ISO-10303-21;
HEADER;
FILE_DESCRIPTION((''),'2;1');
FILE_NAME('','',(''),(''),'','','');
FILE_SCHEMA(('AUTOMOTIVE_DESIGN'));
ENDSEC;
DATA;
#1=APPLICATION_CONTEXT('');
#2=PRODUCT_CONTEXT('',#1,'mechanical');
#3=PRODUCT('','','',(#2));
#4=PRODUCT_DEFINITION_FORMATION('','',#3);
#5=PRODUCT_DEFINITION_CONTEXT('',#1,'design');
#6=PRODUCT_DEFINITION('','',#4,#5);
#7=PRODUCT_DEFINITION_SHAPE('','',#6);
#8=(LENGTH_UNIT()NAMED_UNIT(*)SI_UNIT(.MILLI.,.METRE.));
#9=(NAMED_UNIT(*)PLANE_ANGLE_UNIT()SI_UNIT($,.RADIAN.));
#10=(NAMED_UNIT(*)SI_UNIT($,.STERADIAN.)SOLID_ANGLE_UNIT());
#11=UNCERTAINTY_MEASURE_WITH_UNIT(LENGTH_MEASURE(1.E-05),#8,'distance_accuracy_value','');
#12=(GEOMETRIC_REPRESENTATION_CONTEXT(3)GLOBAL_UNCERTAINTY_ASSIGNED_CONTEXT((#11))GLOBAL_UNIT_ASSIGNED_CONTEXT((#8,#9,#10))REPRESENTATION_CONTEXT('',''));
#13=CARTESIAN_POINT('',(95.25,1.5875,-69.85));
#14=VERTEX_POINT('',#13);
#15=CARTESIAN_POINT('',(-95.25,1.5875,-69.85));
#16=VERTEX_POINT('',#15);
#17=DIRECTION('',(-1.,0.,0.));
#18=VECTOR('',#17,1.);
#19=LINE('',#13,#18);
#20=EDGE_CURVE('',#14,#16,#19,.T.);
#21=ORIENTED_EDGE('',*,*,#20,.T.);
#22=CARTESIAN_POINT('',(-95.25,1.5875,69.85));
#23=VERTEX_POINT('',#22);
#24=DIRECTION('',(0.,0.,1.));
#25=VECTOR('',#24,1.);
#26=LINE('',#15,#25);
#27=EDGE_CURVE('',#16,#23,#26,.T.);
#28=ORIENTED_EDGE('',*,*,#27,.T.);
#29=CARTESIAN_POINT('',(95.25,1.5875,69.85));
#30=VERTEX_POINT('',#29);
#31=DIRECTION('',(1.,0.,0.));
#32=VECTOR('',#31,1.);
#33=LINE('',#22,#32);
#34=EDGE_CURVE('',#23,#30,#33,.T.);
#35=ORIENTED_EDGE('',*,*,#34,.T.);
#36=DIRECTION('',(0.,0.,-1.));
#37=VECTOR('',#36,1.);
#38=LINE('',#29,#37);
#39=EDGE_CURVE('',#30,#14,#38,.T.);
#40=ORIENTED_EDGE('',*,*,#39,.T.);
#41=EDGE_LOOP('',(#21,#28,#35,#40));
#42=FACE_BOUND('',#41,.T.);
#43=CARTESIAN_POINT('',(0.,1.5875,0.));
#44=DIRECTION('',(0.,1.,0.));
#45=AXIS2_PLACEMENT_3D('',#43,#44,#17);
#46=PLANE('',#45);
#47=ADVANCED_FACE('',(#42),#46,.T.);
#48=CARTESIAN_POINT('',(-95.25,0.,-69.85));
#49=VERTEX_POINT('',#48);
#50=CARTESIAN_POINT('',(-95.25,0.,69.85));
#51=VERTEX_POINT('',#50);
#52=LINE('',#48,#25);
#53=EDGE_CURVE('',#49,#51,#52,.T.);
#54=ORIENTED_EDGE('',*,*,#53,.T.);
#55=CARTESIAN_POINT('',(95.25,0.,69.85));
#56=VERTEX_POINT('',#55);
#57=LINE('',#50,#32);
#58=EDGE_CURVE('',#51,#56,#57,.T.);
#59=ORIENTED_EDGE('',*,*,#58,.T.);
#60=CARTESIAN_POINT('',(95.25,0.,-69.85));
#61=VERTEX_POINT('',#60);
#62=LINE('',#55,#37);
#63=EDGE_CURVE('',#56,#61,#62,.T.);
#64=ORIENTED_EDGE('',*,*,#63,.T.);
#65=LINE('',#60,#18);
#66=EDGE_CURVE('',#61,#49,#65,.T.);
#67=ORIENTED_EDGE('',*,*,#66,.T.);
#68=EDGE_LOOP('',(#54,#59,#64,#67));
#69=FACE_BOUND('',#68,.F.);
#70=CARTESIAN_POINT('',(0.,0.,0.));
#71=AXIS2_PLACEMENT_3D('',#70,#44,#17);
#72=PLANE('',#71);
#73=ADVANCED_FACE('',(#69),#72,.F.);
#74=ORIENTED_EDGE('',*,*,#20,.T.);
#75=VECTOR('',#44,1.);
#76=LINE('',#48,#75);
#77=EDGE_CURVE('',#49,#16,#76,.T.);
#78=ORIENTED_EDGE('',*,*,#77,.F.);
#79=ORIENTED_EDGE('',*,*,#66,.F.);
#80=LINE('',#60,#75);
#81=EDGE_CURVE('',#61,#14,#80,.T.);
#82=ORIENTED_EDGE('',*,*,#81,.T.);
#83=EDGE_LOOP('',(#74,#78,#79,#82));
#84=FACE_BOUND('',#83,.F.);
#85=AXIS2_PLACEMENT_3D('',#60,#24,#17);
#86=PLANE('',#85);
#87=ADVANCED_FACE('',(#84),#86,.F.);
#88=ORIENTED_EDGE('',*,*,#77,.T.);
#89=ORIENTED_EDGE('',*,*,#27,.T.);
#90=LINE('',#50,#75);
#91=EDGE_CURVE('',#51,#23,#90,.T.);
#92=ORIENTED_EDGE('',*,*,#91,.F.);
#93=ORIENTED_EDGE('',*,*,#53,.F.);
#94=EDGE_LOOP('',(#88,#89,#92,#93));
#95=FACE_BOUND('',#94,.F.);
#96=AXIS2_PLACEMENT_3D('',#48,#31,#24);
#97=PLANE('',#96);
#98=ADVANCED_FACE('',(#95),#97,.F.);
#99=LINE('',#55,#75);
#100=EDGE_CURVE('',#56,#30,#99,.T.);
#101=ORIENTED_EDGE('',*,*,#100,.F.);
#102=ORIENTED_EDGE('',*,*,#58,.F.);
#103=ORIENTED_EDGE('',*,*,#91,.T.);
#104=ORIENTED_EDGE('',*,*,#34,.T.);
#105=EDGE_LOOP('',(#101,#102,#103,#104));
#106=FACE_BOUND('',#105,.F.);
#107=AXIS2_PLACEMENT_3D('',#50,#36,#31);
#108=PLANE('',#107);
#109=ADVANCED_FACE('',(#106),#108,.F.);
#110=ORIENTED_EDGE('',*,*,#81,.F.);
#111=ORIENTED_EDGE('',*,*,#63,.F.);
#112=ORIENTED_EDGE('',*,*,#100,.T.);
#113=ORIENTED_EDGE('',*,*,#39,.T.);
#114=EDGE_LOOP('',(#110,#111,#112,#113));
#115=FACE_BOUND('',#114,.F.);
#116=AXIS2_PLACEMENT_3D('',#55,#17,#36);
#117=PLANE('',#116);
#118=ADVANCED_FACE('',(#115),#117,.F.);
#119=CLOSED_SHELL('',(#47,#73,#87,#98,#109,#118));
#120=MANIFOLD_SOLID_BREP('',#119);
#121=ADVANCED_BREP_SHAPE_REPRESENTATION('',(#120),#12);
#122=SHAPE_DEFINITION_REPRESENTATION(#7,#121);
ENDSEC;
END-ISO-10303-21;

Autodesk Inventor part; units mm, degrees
ref_plane "YZ Plane" through (0, 0, 0) normal (1, 0, 0) x (0, 1, 0)
ref_plane "XZ Plane" through (0, 0, 0) normal (0, 1, 0) x (-1, 0, 0)
ref_plane "XY Plane" through (0, 0, 0) normal (0, 0, 1) x (1, 0, 0)
sketch "Sketch1" plane through (0, 0, 0) normal (0, 1, 0) x (-1, 0, 0)
  line L0 (-95.25, -69.85) -> (95.25, -69.85)
  line L1 (95.25, -69.85) -> (95.25, 69.85)
  line L2 (95.25, 69.85) -> (-95.25, 69.85)
  line L3 (-95.25, 69.85) -> (-95.25, -69.85)
  line L4 (-95.25, -69.85) -> (95.25, 69.85) construction
  line L5 (95.25, -69.85) -> (-95.25, 69.85) construction
  point P0 (0, 0)
  dimension "d0" = 190.5
  dimension "d1" = 139.7
extrude "Extrusion1" add sketch "Sketch1" along normal blind 1.5875
properties part number "floor" material "Polycarbonate, Clear"
